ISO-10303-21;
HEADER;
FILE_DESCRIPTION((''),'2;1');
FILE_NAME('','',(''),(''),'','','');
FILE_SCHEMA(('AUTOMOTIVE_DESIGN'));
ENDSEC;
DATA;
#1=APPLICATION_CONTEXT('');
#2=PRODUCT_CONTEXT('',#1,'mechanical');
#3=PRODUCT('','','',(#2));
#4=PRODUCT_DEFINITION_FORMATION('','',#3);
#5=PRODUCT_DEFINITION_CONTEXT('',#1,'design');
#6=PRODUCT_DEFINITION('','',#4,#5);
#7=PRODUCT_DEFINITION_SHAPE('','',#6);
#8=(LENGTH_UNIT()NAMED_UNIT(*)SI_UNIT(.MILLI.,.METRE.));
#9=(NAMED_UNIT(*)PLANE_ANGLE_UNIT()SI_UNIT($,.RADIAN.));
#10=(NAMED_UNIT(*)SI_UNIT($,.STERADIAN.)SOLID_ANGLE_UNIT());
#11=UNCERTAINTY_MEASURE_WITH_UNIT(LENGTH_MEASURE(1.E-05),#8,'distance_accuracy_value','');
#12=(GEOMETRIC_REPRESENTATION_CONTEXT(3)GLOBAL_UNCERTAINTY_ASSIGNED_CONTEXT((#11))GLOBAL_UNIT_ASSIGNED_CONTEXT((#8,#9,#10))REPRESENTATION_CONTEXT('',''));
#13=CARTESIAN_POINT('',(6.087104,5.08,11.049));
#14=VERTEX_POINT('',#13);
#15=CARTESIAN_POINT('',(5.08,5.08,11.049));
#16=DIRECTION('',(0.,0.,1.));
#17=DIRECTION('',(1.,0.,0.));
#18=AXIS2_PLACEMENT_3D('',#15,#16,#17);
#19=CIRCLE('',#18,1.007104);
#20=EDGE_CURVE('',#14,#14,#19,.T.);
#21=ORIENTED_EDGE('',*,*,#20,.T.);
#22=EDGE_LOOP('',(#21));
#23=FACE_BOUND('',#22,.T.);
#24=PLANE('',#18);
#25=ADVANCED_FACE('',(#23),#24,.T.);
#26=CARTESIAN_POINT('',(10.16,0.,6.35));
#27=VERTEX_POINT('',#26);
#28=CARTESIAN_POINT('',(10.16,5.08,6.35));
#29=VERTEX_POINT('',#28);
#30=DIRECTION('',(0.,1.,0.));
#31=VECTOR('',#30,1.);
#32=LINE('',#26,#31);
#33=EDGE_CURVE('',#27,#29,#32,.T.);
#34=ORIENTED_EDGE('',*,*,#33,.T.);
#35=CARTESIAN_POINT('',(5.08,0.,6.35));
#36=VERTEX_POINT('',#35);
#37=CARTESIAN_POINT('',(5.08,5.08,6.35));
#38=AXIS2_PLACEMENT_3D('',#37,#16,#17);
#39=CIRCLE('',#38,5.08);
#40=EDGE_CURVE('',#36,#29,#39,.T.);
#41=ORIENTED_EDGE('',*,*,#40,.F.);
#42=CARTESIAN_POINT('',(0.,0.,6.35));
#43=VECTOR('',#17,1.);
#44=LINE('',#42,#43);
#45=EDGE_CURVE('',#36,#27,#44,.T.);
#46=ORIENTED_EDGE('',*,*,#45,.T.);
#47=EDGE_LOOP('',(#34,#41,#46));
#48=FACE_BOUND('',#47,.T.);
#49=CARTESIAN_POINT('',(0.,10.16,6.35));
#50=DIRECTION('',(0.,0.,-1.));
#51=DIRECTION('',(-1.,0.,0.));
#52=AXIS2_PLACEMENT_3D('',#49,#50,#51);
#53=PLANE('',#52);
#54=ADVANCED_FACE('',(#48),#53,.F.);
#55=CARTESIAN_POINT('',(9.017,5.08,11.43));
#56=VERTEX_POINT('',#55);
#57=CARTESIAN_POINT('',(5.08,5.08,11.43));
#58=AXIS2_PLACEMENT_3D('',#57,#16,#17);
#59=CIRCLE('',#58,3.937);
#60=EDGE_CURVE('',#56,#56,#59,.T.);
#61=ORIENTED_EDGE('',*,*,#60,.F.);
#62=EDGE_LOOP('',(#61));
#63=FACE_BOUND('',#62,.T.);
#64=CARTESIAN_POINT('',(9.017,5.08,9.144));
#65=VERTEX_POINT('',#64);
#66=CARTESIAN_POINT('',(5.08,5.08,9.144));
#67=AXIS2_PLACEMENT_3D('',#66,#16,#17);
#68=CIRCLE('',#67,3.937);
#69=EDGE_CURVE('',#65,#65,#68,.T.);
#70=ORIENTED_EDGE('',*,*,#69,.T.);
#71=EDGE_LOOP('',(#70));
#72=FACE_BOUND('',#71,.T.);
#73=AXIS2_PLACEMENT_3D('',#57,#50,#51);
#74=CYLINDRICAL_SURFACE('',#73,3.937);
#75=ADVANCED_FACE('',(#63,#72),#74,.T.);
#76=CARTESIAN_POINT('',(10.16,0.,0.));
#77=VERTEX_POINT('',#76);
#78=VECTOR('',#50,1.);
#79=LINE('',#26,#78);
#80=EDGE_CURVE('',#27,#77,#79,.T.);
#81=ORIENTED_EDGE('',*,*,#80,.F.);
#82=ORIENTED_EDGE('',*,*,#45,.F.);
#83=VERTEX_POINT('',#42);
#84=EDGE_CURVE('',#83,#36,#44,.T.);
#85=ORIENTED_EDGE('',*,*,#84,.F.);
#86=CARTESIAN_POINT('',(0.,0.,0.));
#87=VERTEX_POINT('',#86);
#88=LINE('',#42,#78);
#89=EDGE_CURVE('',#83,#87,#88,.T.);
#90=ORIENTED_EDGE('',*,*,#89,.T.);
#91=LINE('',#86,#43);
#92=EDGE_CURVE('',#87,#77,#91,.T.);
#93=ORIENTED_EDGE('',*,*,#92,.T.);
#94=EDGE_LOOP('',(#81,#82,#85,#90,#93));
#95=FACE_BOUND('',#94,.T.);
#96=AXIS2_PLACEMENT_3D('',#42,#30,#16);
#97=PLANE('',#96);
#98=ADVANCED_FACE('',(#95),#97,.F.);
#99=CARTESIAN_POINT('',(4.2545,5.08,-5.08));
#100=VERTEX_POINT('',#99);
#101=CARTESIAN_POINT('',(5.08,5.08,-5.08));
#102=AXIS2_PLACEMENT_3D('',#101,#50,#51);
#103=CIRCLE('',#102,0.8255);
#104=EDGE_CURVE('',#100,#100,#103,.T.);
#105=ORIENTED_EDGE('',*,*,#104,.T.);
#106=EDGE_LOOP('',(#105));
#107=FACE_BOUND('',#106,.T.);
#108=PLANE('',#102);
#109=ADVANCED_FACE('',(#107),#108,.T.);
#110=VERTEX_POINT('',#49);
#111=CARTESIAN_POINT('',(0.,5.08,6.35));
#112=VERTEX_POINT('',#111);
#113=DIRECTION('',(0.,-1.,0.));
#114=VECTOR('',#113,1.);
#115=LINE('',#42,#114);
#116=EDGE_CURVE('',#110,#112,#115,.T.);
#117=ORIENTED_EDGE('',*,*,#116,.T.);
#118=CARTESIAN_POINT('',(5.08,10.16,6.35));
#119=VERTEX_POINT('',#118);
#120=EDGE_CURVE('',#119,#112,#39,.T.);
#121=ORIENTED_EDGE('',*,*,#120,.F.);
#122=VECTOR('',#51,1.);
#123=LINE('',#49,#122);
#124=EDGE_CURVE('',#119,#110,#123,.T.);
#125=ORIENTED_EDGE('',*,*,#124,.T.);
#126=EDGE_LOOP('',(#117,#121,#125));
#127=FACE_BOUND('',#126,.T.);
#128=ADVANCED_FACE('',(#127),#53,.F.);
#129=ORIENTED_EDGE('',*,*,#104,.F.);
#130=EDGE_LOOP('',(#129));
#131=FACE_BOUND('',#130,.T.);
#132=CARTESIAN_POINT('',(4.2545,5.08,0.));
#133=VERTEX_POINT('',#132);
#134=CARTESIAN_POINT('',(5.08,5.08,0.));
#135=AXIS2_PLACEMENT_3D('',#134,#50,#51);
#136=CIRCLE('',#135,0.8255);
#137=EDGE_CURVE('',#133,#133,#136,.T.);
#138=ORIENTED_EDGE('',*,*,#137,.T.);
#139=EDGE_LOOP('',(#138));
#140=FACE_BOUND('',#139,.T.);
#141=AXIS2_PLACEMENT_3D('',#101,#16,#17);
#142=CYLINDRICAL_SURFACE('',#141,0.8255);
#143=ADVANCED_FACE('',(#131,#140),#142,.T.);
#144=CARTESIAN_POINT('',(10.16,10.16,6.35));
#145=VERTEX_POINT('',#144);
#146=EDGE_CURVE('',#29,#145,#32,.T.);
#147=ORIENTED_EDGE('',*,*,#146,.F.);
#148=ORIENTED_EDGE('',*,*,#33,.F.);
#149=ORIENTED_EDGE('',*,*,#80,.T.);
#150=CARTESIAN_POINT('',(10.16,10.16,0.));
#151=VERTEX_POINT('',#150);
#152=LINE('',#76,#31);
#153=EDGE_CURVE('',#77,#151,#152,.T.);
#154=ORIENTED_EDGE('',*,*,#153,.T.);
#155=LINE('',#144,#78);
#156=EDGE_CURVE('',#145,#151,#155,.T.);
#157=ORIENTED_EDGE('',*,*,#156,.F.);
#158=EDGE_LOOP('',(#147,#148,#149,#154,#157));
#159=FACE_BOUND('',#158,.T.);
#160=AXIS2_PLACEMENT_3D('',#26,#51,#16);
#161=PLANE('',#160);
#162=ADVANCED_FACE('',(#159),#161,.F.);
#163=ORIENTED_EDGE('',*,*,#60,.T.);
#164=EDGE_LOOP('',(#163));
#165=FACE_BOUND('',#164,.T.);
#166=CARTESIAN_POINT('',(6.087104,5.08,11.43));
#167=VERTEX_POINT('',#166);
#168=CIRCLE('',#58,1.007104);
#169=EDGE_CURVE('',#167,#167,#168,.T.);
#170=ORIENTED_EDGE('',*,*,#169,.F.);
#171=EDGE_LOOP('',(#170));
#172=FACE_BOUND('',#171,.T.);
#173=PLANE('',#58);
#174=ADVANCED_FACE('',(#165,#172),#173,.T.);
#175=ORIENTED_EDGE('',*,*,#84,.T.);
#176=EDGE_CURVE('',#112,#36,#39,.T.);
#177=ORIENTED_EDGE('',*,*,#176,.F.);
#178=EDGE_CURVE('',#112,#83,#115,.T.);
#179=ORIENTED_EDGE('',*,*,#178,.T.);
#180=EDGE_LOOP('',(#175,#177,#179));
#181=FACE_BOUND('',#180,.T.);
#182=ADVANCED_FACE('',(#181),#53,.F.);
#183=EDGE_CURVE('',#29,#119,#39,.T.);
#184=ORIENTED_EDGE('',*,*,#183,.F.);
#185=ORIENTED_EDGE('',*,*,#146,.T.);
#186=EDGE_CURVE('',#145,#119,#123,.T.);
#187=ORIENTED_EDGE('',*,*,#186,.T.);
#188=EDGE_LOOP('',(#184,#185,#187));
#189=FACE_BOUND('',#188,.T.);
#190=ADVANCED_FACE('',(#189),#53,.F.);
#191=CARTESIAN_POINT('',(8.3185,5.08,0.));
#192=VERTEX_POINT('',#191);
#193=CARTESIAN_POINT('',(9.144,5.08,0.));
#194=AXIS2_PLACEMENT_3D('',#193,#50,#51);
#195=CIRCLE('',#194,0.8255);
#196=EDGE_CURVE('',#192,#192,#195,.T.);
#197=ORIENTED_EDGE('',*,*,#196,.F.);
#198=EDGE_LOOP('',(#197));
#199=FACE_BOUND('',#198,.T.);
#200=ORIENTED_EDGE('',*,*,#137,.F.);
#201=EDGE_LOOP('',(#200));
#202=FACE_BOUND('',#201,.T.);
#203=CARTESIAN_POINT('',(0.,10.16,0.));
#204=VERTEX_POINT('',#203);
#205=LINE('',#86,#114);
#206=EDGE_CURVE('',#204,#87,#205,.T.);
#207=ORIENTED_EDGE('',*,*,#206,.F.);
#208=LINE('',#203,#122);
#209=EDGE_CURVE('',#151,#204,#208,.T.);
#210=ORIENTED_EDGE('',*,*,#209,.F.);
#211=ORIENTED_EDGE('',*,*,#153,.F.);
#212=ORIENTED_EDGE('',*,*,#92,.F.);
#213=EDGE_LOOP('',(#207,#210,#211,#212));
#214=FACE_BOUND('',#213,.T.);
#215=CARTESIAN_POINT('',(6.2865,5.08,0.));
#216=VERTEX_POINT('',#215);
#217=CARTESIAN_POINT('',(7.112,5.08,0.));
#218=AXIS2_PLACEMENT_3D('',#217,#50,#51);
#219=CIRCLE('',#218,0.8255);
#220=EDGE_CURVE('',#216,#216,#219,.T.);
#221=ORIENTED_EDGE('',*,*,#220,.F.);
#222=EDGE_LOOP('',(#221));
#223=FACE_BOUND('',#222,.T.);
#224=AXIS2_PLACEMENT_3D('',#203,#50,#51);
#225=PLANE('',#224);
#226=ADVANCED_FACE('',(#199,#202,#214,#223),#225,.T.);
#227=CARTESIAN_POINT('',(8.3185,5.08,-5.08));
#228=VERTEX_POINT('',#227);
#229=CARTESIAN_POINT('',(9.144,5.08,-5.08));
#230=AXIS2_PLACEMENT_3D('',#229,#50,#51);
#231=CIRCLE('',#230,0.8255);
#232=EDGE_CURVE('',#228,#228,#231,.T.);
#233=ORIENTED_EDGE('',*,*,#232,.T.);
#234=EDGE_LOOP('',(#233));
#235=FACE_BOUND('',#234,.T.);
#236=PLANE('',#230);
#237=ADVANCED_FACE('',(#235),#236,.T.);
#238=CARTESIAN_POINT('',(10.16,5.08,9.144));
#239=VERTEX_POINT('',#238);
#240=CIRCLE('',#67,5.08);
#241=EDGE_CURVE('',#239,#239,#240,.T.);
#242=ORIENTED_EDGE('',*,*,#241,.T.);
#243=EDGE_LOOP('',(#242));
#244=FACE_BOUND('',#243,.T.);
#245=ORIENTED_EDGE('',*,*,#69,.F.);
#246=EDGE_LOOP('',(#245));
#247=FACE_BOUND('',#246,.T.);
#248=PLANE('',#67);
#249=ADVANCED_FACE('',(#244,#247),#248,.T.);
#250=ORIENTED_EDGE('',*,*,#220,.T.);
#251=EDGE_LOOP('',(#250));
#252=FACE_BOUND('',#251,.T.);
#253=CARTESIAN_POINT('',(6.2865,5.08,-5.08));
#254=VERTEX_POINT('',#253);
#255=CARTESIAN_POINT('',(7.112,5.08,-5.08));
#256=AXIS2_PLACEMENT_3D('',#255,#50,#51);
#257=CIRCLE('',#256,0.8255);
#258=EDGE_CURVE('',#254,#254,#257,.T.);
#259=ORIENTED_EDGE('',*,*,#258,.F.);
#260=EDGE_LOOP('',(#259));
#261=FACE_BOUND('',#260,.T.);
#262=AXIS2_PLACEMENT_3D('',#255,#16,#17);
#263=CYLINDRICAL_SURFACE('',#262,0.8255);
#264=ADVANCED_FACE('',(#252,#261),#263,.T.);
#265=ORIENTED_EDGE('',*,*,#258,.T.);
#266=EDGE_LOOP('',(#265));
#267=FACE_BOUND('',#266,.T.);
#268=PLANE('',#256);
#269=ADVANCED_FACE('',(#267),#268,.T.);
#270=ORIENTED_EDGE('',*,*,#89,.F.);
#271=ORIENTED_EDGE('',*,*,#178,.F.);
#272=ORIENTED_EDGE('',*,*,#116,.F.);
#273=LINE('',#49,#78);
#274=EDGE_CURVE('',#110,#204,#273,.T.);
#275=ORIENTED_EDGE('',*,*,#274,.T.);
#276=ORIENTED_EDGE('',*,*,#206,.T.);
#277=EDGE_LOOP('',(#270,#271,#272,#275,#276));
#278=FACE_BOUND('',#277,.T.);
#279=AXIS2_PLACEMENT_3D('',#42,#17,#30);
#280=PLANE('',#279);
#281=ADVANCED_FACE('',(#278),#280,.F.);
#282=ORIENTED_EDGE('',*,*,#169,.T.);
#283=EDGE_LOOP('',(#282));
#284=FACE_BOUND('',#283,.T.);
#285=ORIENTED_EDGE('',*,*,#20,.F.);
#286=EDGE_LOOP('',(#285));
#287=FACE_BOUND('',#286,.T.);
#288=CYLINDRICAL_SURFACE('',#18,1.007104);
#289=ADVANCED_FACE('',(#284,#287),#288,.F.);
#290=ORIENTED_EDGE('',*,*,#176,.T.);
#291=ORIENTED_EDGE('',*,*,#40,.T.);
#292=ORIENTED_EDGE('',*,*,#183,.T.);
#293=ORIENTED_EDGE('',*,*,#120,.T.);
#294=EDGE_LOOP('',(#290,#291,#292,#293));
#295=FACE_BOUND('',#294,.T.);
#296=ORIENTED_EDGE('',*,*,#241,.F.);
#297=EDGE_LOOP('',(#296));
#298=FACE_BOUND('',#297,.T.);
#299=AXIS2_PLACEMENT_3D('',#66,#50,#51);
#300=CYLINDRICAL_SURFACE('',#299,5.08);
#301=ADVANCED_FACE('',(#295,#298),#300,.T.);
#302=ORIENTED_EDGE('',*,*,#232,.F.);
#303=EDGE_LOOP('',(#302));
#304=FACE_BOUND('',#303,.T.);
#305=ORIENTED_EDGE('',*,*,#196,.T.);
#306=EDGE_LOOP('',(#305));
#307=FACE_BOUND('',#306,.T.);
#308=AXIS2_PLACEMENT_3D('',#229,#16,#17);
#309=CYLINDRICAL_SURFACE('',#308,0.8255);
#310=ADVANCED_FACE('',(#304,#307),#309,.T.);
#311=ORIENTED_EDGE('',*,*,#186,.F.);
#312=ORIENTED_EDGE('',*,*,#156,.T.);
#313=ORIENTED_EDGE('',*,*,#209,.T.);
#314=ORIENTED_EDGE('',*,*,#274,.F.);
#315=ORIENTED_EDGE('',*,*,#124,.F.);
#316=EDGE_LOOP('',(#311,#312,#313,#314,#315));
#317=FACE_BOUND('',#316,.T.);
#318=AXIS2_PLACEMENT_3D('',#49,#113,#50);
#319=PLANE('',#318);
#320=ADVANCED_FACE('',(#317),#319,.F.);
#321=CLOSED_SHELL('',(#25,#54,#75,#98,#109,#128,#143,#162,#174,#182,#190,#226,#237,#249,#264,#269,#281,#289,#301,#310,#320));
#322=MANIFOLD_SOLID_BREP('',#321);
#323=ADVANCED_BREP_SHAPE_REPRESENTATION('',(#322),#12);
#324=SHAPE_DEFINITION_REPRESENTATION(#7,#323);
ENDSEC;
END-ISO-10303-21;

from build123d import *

# Parameters (mm, degrees)
SKETCH1_W      = 10.16
SKETCH1_H      = 10.16
EXTRUDE1_DEPTH = 6.35
SKETCH2_R      = 5.08
EXTRUDE2_DEPTH = 2.794
SKETCH3_R      = 3.937
EXTRUDE3_DEPTH = 2.286
SKETCH4_R      = 1.007103889
EXTRUDE4_DEPTH = 0.381
SKETCH5_R      = 0.8255
EXTRUDE5_DEPTH = 5.08


with BuildPart() as part:
    # Sketch1 → Extrude1 (new body)
    with BuildSketch(Plane.XY):
        with Locations((5.08, 5.08)):
            Rectangle(SKETCH1_W, SKETCH1_H)
    extrude(amount=EXTRUDE1_DEPTH)

    # Sketch2 → Extrude2 (add)
    with BuildSketch(Plane.XY.offset(6.35)):
        with Locations((5.08, 5.08)):
            Circle(SKETCH2_R)
    extrude(amount=EXTRUDE2_DEPTH)

    # Sketch3 → Extrude3 (add)
    with BuildSketch(Plane.XY.offset(9.144)):
        with Locations((5.08, 5.08)):
            Circle(SKETCH3_R)
    extrude(amount=EXTRUDE3_DEPTH)

    # Sketch4 → Extrude4 (cut)
    with BuildSketch(Plane.XY.offset(11.43)):
        with Locations((5.08, 5.08)):
            Circle(SKETCH4_R)
    extrude(amount=-EXTRUDE4_DEPTH, mode=Mode.SUBTRACT)

    # Sketch5 → Extrude5 (add)
    with BuildSketch(Plane(origin=(0, 0, 0), x_dir=(-1, 0, 0), z_dir=(0, 0, -1))):
        with Locations((-5.08, 5.08)):
            Circle(SKETCH5_R)
        with Locations((-7.112, 5.08)):
            Circle(SKETCH5_R)
        with Locations((-9.144, 5.08)):
            Circle(SKETCH5_R)
    extrude(amount=EXTRUDE5_DEPTH)


solid = part.part
